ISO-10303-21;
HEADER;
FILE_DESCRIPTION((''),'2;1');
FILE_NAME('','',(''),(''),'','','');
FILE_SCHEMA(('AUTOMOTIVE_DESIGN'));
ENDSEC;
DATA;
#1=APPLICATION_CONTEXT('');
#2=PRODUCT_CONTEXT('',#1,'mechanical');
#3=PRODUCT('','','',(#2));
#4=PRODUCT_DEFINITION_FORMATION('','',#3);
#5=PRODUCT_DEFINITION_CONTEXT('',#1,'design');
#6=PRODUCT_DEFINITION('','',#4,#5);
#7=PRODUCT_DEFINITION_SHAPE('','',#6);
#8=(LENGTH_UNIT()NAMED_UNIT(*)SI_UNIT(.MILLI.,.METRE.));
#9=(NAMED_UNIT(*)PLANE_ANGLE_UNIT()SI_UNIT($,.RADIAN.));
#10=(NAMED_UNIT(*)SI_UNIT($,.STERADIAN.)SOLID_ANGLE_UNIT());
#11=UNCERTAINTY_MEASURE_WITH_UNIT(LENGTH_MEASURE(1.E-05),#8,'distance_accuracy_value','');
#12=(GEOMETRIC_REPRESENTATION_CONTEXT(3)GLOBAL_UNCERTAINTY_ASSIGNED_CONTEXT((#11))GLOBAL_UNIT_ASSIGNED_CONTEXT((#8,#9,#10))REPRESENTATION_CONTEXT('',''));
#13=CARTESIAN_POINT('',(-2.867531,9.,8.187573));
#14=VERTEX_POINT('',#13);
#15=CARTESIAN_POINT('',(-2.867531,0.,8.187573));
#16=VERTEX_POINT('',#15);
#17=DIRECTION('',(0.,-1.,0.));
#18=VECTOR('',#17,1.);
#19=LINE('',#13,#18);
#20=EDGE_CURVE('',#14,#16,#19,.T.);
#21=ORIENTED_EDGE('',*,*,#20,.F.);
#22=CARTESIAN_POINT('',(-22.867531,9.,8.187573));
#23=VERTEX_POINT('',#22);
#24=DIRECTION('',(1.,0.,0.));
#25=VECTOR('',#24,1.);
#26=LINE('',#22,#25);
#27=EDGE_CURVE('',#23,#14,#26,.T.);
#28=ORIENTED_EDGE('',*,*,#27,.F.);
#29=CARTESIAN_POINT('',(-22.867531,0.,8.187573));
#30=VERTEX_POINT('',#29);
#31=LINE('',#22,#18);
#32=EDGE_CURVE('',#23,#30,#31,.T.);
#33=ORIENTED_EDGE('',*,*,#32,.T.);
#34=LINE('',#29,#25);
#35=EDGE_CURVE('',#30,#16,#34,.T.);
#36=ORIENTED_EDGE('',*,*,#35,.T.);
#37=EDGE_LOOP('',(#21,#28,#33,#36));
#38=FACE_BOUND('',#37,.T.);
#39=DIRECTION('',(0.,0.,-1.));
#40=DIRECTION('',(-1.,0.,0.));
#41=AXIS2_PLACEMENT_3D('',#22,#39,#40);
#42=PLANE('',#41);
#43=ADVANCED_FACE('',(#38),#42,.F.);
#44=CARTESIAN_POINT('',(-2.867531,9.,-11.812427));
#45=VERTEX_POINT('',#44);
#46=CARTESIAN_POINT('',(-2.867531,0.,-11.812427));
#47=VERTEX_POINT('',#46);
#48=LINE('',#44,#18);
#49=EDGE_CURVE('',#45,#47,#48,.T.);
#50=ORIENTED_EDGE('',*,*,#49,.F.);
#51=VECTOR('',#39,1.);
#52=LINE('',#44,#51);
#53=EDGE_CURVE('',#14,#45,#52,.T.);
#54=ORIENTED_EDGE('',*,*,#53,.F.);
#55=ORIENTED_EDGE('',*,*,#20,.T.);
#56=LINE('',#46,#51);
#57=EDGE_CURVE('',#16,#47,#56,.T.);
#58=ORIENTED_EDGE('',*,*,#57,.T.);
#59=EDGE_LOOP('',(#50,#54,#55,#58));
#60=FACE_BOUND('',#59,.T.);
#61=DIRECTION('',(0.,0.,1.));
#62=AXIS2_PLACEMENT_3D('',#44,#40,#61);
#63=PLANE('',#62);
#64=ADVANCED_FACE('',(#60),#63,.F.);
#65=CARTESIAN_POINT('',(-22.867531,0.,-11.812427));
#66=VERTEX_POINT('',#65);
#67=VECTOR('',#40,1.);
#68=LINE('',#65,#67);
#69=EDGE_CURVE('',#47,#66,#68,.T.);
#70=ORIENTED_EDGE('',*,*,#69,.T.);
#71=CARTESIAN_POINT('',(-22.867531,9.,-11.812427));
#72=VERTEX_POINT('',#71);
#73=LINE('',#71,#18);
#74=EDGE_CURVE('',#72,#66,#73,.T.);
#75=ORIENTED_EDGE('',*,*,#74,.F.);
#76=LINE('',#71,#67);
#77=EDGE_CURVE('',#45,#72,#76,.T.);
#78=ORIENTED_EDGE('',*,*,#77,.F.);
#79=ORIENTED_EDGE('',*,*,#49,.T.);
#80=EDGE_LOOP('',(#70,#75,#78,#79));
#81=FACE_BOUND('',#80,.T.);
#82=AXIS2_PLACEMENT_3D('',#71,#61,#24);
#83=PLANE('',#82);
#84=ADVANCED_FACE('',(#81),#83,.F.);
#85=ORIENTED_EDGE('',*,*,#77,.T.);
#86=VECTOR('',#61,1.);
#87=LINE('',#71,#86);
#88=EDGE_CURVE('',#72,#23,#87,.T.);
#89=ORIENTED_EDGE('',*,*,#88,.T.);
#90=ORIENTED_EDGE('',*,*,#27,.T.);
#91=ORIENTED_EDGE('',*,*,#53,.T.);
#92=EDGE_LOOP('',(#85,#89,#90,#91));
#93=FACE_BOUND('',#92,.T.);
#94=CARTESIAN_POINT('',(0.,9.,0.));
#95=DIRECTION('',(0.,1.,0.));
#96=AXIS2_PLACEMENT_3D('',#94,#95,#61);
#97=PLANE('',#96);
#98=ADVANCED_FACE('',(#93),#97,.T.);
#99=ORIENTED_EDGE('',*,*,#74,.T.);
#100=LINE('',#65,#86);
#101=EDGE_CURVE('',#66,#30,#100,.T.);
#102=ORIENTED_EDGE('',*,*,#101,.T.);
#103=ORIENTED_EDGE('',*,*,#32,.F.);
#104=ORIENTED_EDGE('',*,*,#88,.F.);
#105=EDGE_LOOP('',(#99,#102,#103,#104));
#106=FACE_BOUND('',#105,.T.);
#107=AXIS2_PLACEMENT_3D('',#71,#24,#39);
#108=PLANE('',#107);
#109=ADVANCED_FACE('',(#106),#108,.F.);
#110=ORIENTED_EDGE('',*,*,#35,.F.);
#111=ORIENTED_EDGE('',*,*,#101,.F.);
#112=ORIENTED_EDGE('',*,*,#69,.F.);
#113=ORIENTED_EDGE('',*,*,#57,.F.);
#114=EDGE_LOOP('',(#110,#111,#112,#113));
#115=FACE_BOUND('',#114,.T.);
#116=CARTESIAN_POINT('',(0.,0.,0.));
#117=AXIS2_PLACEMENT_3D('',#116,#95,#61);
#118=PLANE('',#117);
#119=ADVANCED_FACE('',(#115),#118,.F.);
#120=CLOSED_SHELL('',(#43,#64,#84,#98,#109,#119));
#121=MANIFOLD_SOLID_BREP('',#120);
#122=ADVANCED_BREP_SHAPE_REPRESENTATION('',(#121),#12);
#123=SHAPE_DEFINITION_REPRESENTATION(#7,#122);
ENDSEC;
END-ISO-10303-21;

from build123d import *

# Parameters (mm, degrees)
ESBO_O1_W                = 20
ESBO_O1_H                = 20
RESSALTO_EXTRUS_O1_DEPTH = 9


with BuildPart() as part:
    # Esboço1 → Ressalto-extrusão1 (new body)
    with BuildSketch(Plane(origin=(0, 0, 0), x_dir=(1, 0, 0), z_dir=(0, 1, 0))):
        with Locations((-12.867531092, 1.812427071)):
            Rectangle(ESBO_O1_W, ESBO_O1_H)
    extrude(amount=RESSALTO_EXTRUS_O1_DEPTH)


solid = part.part
